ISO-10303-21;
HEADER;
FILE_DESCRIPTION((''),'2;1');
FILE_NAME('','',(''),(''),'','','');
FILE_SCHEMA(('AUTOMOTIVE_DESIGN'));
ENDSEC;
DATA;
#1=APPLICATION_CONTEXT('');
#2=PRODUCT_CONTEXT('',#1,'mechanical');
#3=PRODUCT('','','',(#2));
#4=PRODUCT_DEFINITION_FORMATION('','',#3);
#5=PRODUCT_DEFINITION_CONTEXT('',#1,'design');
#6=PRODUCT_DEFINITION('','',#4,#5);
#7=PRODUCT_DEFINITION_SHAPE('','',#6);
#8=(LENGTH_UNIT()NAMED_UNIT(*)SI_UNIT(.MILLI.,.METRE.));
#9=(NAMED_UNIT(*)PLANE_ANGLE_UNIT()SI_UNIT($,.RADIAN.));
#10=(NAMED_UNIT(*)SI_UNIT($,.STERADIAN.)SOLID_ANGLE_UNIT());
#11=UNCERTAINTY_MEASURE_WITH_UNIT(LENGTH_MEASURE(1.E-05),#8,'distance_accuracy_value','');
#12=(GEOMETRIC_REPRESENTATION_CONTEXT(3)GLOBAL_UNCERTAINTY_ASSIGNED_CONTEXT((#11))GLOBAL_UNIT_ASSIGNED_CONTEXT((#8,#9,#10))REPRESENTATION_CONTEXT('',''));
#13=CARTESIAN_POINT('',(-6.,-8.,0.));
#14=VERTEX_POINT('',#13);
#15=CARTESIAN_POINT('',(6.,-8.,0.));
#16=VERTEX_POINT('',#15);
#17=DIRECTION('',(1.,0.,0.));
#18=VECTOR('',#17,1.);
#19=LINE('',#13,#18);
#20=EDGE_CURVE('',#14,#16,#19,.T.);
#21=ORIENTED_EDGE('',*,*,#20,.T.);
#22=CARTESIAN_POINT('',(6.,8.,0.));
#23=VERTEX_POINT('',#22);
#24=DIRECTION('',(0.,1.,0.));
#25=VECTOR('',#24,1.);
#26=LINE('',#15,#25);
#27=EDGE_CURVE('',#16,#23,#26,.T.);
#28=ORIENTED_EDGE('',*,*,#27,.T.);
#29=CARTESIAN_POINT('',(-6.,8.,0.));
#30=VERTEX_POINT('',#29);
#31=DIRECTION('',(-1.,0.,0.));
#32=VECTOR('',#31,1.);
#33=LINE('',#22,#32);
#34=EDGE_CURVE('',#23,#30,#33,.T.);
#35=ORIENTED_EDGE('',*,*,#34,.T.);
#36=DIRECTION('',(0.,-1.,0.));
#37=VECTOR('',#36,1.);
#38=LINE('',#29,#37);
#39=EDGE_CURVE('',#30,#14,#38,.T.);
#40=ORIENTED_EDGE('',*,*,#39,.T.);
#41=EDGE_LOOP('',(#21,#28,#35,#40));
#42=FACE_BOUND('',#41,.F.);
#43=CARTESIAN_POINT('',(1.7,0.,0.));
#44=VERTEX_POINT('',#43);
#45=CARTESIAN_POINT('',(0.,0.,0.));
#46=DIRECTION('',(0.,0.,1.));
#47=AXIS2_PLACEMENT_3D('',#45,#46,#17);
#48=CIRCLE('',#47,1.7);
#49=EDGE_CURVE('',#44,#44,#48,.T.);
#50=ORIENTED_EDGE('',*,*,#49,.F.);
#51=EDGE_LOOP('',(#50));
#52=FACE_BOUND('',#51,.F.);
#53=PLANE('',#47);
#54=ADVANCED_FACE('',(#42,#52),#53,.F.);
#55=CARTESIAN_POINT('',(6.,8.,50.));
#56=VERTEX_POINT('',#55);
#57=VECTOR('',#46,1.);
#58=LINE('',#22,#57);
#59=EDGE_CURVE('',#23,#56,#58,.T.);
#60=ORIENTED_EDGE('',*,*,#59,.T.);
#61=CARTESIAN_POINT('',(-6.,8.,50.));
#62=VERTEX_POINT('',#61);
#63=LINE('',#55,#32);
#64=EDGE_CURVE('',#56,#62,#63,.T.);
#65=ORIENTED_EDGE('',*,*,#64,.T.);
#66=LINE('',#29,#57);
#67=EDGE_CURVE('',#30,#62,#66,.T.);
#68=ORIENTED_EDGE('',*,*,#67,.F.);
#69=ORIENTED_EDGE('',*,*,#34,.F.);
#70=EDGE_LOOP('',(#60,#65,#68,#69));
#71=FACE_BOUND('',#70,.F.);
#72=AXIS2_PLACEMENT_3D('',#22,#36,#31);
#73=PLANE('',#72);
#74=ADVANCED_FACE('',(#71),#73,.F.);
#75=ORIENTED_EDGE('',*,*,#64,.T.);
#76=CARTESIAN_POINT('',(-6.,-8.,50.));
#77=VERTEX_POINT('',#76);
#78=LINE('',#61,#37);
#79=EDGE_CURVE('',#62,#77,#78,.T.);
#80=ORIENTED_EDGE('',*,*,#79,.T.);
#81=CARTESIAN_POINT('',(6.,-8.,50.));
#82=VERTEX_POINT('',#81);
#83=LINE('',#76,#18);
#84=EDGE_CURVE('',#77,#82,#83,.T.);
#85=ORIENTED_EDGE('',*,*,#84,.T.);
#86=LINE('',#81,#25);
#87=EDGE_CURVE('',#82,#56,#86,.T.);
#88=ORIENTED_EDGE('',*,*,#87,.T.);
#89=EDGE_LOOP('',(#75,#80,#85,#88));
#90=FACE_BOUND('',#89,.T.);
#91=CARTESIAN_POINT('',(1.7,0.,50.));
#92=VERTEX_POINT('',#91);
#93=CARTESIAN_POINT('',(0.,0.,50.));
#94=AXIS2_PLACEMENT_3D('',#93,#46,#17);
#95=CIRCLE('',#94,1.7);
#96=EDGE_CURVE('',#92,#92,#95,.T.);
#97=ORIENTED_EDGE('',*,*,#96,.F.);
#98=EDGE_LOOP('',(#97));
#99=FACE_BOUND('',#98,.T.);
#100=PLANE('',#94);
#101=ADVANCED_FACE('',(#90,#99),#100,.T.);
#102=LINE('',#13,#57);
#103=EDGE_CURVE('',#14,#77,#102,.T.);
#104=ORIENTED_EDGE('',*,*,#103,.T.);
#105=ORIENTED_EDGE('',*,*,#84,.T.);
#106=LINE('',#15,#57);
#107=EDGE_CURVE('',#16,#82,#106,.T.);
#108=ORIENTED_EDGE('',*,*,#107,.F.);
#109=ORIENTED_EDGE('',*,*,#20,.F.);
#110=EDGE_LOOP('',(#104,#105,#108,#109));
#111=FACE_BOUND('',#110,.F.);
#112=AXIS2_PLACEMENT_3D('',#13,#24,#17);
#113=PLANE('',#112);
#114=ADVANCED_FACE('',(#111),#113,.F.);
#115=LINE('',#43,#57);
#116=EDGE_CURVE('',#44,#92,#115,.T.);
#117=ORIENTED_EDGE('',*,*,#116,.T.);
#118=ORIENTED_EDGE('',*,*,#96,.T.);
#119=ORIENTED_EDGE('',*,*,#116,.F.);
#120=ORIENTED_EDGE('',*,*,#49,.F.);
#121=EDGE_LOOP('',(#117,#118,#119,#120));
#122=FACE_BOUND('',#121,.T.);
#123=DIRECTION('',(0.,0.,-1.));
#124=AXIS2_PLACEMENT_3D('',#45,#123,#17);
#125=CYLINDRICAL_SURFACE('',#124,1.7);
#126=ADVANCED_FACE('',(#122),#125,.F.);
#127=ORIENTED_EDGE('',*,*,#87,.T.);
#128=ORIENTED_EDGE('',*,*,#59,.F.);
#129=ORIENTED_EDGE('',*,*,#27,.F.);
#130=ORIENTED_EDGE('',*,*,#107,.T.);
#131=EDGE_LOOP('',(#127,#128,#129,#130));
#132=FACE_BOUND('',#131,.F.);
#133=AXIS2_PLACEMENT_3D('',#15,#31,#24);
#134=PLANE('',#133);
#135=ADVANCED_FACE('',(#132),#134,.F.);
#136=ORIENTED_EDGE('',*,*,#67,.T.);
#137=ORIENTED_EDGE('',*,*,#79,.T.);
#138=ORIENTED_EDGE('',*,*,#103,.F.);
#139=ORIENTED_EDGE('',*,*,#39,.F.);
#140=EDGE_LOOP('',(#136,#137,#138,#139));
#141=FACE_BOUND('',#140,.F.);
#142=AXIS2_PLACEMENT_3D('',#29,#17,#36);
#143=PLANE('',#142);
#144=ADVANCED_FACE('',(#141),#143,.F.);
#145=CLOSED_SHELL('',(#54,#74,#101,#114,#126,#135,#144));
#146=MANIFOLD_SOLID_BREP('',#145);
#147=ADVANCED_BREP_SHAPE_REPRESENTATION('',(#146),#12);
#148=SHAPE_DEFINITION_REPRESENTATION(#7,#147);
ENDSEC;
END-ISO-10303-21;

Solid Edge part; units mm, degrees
sketch "Sketch1" plane through (0, 0, 0) normal (0, 0, 1) x (1, 0, 0)
  line L0 (-6, -8) -> (6, -8)
  line L1 (6, -8) -> (6, 8)
  line L2 (6, 8) -> (-6, 8)
  line L3 (-6, 8) -> (-6, -8)
  circle A0 centre (0, 0) radius 1.7
extrude "Protrusion1" add sketch "Sketch1" along normal blind 50
